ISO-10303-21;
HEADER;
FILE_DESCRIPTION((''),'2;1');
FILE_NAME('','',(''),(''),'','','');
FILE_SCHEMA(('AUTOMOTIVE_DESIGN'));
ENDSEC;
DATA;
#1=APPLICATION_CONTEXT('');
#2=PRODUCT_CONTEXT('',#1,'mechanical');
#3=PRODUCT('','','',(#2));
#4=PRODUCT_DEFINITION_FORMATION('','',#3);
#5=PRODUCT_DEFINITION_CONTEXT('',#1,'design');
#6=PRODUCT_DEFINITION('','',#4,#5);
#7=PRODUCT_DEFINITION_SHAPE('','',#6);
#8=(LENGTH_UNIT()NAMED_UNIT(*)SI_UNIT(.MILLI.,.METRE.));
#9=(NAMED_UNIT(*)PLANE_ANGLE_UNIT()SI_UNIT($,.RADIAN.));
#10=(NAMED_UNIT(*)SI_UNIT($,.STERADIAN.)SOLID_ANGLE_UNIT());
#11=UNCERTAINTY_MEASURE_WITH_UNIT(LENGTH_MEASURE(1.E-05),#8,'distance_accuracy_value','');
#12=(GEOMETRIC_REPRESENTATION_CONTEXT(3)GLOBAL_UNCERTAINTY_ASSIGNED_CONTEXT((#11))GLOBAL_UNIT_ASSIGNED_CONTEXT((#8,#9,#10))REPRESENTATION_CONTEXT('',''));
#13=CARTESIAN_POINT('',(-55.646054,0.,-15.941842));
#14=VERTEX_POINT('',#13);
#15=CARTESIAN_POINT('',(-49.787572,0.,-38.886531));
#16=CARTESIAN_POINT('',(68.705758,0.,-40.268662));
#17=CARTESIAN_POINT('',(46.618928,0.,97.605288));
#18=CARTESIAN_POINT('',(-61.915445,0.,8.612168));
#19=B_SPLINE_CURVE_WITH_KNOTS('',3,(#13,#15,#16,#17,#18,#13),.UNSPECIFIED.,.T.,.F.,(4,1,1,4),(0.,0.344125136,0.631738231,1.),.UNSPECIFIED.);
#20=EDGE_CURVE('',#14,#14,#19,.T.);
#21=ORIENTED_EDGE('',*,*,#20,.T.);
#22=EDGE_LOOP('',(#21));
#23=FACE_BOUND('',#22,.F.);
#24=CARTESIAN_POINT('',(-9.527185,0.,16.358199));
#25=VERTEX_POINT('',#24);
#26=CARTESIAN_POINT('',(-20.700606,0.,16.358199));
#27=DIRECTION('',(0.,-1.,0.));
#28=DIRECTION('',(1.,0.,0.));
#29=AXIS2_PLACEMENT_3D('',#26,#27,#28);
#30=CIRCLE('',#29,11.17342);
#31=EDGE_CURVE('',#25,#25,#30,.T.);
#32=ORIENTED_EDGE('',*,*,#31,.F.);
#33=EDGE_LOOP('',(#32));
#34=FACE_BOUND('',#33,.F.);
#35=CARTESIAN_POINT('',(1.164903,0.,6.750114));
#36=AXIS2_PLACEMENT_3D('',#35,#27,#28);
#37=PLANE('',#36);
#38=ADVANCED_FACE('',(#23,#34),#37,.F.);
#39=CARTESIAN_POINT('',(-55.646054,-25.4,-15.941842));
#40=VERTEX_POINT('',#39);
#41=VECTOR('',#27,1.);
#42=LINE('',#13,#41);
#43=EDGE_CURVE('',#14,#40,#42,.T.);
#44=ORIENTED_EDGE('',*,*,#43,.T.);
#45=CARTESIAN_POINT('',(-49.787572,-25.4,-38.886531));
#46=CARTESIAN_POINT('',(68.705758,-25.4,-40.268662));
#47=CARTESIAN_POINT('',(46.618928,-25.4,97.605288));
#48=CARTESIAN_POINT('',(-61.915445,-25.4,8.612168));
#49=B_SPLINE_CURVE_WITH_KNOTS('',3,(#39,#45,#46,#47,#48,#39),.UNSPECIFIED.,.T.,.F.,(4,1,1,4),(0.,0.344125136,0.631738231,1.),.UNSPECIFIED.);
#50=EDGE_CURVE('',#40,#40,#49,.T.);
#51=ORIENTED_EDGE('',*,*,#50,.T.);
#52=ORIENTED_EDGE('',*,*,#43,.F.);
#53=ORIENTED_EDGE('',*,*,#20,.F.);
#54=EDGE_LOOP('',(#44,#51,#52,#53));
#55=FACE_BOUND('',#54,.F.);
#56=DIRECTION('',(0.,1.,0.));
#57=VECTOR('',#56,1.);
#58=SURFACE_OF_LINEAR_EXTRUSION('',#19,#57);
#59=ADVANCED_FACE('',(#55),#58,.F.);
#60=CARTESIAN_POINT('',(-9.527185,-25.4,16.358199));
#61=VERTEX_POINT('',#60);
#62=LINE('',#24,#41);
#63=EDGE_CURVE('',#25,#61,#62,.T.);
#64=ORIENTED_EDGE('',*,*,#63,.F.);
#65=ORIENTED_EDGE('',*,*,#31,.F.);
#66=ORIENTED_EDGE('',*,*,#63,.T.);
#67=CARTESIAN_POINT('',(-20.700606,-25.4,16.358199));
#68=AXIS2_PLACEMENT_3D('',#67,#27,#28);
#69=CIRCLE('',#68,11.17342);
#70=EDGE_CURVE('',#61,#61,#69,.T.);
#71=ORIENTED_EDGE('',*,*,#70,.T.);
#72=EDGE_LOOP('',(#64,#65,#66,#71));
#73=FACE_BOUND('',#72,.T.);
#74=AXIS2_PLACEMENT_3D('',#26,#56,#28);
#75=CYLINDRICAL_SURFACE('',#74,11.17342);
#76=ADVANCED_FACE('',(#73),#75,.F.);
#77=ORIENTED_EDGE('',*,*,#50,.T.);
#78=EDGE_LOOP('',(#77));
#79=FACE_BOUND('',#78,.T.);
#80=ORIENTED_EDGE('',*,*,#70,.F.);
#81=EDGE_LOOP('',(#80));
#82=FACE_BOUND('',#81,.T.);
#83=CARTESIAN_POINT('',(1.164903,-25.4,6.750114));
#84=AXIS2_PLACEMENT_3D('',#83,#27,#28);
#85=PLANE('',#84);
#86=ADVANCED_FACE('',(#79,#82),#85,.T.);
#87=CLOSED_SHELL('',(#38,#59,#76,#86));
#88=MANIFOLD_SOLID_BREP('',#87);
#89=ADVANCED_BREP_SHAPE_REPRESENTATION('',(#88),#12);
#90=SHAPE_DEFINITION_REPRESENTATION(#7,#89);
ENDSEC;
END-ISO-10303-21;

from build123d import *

# Parameters (mm, degrees)
F0_R     = 11.1734201217
F1_DEPTH = 25.4


with BuildPart() as f1:
    # F0 (on Front) → F1 (new body)
    with BuildSketch(Plane.XZ):
        with BuildLine():
            add(Edge.make_bspline(
                [(-55.6460544467, -15.9418415278), (-49.7875724974, -38.8865305195), (68.7057584237, -40.2686617628), (46.6189283198, 97.6052877895), (-61.9154451556, 8.6121677237), (-55.6460544467, -15.9418415278)],
                knots=[0, 0, 0, 0, 0.3441251355, 0.6317382309, 1, 1, 1, 1], degree=3))
        make_face()
        with Locations((-20.7006055862, 16.358198598)):
            Circle(F0_R, mode=Mode.SUBTRACT)
    extrude(amount=F1_DEPTH)


solid = f1.part
